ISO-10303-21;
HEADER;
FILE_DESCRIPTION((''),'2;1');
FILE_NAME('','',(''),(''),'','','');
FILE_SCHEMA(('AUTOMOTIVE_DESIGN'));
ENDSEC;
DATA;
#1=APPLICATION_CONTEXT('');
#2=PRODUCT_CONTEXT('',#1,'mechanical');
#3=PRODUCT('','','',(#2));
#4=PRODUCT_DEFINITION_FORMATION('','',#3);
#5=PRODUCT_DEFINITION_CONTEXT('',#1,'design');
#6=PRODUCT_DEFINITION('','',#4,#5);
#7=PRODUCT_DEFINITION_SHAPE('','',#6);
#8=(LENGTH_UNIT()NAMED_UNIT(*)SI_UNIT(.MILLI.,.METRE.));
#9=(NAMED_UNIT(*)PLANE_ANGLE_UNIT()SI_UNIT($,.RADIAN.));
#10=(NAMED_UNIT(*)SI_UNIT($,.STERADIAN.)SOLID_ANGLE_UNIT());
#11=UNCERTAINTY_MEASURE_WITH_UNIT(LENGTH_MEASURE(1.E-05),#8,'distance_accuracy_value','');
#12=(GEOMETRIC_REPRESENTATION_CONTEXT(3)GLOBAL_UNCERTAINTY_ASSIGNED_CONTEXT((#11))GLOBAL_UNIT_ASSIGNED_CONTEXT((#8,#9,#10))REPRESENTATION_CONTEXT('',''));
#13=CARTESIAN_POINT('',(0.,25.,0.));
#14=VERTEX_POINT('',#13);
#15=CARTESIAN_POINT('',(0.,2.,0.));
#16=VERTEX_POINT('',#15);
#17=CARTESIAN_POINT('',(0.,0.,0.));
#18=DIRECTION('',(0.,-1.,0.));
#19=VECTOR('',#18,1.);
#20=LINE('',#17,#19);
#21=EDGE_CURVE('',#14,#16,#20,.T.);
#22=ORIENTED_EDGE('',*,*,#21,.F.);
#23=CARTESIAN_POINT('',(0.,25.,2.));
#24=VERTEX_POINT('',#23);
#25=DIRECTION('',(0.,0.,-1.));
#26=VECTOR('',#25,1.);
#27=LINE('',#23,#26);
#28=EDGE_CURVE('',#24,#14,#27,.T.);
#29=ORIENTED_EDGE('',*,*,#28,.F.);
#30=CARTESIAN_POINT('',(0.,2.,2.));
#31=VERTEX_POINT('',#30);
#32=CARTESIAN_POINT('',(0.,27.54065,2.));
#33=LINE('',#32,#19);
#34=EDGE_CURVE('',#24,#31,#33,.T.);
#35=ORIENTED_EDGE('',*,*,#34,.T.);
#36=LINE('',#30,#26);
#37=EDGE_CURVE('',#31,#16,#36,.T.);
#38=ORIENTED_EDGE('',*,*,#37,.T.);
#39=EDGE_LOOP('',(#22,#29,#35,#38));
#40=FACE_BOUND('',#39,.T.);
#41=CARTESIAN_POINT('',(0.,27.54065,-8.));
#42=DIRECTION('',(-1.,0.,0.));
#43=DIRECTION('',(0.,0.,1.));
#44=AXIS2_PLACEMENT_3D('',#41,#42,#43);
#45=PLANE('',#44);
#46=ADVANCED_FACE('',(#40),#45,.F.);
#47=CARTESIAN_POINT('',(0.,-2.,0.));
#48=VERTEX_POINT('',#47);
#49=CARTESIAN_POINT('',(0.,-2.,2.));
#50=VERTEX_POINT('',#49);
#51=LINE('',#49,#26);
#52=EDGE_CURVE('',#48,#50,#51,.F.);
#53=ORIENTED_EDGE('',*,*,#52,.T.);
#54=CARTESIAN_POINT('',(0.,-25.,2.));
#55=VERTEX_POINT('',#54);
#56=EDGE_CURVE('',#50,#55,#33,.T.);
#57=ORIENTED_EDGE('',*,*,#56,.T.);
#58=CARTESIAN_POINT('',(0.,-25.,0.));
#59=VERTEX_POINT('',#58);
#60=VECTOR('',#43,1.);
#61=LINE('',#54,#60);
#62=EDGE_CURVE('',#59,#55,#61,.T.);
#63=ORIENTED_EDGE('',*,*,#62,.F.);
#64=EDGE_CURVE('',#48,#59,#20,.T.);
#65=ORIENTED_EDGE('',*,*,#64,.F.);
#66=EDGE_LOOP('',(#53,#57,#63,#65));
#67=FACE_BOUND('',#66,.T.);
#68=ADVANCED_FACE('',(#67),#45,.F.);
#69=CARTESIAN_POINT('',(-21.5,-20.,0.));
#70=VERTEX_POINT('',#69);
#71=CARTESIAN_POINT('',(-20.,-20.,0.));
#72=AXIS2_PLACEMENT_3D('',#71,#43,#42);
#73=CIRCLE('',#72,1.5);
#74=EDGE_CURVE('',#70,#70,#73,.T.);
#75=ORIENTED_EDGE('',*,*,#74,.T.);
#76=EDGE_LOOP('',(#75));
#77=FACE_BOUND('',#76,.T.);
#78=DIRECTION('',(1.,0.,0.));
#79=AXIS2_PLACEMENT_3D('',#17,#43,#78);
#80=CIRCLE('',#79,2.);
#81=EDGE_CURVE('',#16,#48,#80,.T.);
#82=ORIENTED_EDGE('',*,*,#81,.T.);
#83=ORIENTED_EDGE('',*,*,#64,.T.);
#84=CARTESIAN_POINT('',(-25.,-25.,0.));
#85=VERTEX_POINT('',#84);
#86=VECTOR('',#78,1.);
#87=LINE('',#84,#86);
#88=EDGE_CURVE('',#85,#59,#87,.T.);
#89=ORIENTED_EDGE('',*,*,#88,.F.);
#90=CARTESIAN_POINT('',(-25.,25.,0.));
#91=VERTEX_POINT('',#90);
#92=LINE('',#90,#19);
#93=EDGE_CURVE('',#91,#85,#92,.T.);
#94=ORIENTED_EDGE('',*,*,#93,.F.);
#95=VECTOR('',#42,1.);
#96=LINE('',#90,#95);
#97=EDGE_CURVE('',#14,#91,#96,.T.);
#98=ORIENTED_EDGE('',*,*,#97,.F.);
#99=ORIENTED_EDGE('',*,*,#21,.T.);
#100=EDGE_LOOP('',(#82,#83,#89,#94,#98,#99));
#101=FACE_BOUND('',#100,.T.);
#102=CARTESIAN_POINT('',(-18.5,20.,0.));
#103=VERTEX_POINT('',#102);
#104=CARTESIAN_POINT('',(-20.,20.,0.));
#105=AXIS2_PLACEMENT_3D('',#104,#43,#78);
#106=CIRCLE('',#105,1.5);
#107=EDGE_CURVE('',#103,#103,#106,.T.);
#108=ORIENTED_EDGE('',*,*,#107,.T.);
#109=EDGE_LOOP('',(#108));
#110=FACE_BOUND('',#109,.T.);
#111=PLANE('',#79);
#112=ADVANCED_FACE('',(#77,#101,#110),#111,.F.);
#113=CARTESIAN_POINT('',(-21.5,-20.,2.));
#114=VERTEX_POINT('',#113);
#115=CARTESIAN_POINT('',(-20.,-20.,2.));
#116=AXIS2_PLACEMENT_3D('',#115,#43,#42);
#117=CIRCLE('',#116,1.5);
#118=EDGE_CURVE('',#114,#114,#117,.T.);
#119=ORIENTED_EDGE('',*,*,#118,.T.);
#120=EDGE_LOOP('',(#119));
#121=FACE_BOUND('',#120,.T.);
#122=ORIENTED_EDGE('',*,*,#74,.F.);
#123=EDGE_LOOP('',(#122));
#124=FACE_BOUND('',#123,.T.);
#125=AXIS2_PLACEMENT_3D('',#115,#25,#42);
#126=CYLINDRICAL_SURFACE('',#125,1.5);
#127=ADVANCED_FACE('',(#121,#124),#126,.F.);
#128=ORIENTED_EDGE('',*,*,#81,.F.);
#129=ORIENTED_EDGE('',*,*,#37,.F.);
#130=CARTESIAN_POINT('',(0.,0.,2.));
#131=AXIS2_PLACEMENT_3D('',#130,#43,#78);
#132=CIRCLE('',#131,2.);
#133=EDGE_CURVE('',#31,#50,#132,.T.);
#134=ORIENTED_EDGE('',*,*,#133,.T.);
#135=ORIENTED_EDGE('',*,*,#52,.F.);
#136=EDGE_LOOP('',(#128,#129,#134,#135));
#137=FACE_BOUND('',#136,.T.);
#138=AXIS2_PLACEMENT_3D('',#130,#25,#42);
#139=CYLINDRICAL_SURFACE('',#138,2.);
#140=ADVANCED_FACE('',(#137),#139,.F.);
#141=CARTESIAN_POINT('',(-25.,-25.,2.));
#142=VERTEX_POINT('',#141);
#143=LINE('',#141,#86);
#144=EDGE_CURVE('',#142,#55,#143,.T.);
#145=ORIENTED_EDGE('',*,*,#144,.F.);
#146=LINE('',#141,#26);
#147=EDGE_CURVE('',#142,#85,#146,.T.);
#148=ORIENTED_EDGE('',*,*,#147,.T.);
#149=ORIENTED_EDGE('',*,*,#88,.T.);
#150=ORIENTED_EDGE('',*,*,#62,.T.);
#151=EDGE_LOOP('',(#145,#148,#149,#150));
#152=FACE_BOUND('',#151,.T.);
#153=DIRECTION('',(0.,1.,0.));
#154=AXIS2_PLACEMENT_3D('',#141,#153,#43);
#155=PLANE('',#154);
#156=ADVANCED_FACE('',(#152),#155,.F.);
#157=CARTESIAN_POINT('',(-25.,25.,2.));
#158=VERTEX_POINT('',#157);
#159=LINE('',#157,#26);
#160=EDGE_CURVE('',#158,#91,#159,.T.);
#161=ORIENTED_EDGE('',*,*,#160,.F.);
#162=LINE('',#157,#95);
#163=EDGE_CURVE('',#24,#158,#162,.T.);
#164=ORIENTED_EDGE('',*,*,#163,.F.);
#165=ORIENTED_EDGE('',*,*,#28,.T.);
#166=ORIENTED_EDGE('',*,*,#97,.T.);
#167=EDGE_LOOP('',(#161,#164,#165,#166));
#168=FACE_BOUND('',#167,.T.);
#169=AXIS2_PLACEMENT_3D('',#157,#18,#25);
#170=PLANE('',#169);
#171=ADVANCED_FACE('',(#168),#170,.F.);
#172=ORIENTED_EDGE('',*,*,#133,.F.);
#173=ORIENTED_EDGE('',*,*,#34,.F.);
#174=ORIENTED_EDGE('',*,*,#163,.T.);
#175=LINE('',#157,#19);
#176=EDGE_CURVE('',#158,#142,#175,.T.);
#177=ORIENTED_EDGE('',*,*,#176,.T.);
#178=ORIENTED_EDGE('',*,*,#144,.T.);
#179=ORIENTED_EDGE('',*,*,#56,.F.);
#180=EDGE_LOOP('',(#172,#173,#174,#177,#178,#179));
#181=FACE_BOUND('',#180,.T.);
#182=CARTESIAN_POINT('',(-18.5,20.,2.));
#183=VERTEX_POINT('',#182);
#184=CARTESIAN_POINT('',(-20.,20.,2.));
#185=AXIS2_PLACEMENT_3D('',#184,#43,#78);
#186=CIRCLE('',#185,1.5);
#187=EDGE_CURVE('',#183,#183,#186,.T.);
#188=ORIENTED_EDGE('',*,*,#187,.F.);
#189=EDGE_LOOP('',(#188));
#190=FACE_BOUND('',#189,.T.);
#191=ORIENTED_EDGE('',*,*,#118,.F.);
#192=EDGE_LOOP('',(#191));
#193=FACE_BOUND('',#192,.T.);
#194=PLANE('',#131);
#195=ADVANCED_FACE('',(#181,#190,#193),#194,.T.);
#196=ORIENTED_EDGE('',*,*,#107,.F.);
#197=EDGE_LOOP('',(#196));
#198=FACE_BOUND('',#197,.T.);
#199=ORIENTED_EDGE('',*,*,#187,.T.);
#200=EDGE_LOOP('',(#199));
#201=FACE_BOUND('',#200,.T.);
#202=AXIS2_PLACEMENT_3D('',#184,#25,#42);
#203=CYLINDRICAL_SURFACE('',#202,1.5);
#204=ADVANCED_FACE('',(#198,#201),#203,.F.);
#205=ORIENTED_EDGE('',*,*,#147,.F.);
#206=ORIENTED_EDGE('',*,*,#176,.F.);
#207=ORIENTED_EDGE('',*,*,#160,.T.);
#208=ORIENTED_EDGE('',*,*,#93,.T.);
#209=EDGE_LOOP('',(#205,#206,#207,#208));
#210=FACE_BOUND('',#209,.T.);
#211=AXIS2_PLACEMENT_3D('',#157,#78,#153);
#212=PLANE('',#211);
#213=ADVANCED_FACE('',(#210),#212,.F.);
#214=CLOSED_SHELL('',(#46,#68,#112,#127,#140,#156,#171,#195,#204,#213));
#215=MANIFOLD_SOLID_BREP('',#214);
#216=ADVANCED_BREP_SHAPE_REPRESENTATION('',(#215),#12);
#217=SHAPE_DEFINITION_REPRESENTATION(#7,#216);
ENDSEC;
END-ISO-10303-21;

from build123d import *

# Parameters (mm, degrees)
SKETCH_1_W          = 50
SKETCH_1_H          = 50
SKETCH_1_R          = 2
SKETCH_1_R_2        = 1.5
EXTRUDE_1_DEPTH     = 2
SKETCH_3_W          = 33.603167957
SKETCH_3_H          = 55.181672871
CUT_EXTRUDE_2_DEPTH = 10


with BuildPart() as part:
    # 草图1 → 凸台-拉伸1 (new body)
    with BuildSketch(Plane.XY):
        Rectangle(SKETCH_1_W, SKETCH_1_H)
        Circle(SKETCH_1_R, mode=Mode.SUBTRACT)
        with Locations((-20, 20)):
            Circle(SKETCH_1_R_2, mode=Mode.SUBTRACT)
        with Locations(Location((20, 20, 0), (0, 0, 180))):
            Circle(SKETCH_1_R_2, mode=Mode.SUBTRACT)
        with Locations((20, -20)):
            Circle(SKETCH_1_R_2, mode=Mode.SUBTRACT)
        with Locations(Location((-20, -20, 0), (0, 0, 180))):
            Circle(SKETCH_1_R_2, mode=Mode.SUBTRACT)
    extrude(amount=EXTRUDE_1_DEPTH)

    # 草图3 → 切除-拉伸2 (cut)
    with BuildSketch(Plane.XY.offset(2)):
        with Locations((16.801583979, -0.050186901)):
            Rectangle(SKETCH_3_W, SKETCH_3_H)
    extrude(amount=-CUT_EXTRUDE_2_DEPTH, mode=Mode.SUBTRACT)


solid = part.part
